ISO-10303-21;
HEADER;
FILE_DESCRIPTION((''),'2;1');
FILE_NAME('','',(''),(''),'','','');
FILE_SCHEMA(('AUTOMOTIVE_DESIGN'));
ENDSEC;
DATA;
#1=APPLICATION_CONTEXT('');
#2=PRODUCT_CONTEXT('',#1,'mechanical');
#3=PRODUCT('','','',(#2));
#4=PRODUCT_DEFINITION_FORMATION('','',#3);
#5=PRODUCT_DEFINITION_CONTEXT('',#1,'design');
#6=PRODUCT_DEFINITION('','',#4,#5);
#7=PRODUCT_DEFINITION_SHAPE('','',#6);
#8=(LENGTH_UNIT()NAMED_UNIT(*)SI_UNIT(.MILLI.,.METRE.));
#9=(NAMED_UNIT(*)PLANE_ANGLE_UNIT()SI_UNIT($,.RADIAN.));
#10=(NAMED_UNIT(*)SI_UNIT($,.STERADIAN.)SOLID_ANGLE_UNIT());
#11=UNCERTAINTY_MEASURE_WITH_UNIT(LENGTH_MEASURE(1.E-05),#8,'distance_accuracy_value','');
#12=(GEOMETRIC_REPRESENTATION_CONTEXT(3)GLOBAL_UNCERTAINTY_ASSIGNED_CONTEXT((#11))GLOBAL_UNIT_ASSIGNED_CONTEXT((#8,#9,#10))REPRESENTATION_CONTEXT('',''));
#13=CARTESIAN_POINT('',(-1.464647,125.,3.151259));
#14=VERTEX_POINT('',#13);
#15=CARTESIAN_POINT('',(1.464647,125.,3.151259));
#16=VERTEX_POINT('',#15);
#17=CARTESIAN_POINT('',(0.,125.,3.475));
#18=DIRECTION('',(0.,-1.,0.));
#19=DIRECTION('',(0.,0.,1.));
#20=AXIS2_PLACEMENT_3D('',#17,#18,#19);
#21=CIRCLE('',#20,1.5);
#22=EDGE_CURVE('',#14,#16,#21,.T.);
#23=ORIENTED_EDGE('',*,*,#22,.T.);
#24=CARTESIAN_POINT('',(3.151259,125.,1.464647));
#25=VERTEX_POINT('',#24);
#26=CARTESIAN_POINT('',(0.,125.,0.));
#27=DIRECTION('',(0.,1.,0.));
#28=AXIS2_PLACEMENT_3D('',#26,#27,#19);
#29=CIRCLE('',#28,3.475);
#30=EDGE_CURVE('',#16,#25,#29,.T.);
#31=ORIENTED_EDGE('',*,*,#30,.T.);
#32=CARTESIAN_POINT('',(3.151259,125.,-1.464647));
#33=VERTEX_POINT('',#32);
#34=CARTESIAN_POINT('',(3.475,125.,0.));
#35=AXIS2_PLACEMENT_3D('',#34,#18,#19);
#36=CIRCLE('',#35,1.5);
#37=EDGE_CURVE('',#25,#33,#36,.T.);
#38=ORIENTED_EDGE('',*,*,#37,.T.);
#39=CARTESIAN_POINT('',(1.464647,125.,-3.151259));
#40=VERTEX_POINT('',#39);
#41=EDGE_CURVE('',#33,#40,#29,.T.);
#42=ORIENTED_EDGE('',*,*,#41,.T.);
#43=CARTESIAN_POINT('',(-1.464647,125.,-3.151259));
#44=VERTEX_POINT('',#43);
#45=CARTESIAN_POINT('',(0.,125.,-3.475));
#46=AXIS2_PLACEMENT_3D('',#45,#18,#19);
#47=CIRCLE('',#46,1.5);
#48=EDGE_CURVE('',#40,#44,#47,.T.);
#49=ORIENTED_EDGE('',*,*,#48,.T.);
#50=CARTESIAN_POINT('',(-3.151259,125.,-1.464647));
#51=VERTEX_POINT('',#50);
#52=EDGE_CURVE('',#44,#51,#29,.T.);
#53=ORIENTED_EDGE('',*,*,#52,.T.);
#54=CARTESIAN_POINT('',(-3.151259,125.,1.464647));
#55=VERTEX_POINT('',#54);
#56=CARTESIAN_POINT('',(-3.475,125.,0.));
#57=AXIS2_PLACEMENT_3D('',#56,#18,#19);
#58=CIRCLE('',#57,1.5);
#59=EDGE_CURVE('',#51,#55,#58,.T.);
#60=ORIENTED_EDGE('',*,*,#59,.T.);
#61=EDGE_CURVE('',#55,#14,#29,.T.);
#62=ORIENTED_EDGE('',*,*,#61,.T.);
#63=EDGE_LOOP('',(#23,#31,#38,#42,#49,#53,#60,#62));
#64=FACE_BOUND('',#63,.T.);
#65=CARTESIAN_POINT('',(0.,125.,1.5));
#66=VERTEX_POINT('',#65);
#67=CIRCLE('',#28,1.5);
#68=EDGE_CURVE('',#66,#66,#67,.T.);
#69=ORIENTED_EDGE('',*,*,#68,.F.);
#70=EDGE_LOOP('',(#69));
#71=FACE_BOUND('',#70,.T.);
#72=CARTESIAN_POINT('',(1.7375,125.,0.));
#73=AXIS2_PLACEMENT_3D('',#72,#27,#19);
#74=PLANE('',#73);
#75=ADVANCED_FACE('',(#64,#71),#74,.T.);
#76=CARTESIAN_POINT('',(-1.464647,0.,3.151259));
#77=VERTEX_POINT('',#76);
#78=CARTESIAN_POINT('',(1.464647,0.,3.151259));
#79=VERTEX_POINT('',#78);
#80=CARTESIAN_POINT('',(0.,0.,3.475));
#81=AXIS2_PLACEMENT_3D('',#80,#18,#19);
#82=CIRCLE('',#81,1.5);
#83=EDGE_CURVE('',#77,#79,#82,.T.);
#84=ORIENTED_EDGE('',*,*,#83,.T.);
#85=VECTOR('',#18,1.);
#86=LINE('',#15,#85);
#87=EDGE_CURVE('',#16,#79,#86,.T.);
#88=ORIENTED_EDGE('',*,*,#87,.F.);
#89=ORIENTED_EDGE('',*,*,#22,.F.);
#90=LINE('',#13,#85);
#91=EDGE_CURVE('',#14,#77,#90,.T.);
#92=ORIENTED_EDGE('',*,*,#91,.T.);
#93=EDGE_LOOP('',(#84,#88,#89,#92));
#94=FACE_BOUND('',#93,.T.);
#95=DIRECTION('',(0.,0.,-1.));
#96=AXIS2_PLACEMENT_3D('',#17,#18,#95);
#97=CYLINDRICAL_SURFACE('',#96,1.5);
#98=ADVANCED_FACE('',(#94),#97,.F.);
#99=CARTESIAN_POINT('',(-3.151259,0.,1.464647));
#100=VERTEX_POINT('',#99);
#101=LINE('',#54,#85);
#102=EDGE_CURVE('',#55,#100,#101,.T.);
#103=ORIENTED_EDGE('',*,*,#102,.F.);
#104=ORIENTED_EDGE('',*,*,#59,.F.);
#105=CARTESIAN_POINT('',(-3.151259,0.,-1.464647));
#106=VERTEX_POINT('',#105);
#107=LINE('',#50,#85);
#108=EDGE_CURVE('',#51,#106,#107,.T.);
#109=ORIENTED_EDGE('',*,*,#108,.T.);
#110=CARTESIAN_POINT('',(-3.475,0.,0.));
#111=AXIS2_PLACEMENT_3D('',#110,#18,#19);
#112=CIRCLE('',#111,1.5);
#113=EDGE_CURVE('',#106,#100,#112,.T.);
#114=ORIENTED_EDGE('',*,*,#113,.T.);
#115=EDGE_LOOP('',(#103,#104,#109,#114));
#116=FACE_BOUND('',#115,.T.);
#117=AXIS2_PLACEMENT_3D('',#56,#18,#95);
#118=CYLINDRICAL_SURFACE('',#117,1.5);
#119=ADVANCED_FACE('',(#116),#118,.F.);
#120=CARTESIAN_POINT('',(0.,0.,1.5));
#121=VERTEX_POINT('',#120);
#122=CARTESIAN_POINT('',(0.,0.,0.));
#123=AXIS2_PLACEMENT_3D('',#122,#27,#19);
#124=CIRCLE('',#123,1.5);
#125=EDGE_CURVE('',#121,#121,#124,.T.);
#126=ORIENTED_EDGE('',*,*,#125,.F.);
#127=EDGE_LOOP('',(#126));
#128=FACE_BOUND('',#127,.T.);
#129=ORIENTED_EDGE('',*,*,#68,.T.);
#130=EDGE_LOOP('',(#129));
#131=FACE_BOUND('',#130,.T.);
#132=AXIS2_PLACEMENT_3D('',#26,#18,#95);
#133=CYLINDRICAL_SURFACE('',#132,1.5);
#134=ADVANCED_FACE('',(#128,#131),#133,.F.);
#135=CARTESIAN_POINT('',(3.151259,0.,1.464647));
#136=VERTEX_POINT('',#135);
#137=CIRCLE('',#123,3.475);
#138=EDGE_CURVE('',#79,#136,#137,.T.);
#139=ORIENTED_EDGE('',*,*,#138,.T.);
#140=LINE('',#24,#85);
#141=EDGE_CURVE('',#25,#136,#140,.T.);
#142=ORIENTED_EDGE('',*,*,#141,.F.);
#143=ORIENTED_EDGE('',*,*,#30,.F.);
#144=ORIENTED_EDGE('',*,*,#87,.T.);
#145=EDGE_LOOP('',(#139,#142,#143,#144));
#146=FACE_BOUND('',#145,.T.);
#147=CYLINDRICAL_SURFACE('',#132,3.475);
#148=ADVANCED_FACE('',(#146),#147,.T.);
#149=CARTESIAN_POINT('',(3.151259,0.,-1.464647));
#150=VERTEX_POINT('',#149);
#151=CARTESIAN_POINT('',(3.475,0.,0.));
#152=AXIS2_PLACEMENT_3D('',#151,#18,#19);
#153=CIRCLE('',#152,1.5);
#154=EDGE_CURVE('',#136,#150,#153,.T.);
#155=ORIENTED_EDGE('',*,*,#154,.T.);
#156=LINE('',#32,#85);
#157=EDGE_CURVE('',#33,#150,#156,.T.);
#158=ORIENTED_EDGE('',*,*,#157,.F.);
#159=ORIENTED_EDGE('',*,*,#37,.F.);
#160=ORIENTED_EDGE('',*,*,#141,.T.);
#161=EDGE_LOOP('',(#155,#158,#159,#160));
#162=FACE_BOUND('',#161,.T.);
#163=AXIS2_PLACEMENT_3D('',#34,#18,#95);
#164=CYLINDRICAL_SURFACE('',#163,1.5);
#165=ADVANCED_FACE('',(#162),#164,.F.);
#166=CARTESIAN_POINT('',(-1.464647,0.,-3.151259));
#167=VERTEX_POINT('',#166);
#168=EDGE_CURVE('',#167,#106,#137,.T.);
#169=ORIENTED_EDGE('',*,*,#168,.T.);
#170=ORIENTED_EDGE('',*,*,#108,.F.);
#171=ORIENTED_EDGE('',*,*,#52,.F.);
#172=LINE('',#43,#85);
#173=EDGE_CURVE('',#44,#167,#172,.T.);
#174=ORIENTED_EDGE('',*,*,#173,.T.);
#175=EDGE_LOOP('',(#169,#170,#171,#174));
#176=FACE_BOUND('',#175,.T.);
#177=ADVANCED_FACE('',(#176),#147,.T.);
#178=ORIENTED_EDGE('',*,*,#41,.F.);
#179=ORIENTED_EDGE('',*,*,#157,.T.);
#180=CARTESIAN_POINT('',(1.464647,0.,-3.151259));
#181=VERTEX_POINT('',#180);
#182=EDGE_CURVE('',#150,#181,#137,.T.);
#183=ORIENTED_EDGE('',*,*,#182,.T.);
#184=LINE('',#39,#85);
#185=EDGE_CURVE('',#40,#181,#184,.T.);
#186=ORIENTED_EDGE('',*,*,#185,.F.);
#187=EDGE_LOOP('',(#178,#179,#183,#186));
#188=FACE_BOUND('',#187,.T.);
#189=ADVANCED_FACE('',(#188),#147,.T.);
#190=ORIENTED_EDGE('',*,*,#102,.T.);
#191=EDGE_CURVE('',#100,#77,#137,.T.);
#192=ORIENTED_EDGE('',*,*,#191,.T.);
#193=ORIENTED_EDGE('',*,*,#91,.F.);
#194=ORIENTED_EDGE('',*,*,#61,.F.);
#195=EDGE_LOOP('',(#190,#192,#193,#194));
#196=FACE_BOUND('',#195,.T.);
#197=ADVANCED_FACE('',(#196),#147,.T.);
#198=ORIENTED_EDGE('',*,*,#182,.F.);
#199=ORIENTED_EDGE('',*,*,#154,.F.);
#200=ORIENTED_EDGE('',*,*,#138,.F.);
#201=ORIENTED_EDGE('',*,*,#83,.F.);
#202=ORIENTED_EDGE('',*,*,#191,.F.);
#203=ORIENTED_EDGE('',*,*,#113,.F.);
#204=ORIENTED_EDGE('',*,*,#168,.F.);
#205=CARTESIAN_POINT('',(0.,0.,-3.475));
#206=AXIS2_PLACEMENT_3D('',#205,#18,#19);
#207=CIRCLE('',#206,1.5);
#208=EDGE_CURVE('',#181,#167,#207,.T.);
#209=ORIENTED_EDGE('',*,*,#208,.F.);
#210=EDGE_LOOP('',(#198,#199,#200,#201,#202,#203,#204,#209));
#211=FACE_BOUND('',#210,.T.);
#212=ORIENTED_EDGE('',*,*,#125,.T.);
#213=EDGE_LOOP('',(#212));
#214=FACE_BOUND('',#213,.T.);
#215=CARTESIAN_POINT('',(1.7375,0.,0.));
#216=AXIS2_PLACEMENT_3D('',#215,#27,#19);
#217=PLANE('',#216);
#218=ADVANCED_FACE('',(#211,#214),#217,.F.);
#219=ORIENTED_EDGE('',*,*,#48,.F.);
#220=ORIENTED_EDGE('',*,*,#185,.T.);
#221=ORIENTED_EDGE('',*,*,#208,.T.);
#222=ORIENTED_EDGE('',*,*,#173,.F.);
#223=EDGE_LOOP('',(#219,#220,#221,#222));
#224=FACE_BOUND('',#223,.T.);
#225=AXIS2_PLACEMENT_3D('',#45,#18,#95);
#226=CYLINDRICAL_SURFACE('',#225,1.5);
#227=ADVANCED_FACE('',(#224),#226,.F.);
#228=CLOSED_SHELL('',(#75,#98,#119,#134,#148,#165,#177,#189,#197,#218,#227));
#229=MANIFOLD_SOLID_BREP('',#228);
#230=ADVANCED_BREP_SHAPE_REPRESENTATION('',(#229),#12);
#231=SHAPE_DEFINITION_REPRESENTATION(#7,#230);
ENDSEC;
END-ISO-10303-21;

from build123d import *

# Parameters (mm, degrees)
SKETCH1_R           = 1.5
BOSS_EXTRUDE1_DEPTH = 125


with BuildPart() as part:
    # Sketch1 → Boss-Extrude1 (new body)
    with BuildSketch(Plane(origin=(0, 0, 0), x_dir=(1, 0, 0), z_dir=(0, 1, 0))):
        with BuildLine():
            ThreePointArc((-3.151258993, -1.464647316), (-2.457196065, -2.457196065), (-1.464647316, -3.151258993))
            ThreePointArc((-1.464647316, -3.151258993), (0, -1.975), (1.464647316, -3.151258993))
            ThreePointArc((1.464647316, -3.151258993), (2.457196065, -2.457196065), (3.151258993, -1.464647316))
            ThreePointArc((3.151258993, -1.464647316), (1.975, 0), (3.151258993, 1.464647316))
            ThreePointArc((3.151258993, 1.464647316), (2.457196065, 2.457196065), (1.464647316, 3.151258993))
            ThreePointArc((1.464647316, 3.151258993), (0, 1.975), (-1.464647316, 3.151258993))
            ThreePointArc((-1.464647316, 3.151258993), (-2.457196065, 2.457196065), (-3.151258993, 1.464647316))
            ThreePointArc((-3.151258993, 1.464647316), (-1.975, 0), (-3.151258993, -1.464647316))
        make_face()
        with Locations(Location((0, 0, 0), (0, 0, 270))):
            Circle(SKETCH1_R, mode=Mode.SUBTRACT)
    extrude(amount=BOSS_EXTRUDE1_DEPTH)


solid = part.part
